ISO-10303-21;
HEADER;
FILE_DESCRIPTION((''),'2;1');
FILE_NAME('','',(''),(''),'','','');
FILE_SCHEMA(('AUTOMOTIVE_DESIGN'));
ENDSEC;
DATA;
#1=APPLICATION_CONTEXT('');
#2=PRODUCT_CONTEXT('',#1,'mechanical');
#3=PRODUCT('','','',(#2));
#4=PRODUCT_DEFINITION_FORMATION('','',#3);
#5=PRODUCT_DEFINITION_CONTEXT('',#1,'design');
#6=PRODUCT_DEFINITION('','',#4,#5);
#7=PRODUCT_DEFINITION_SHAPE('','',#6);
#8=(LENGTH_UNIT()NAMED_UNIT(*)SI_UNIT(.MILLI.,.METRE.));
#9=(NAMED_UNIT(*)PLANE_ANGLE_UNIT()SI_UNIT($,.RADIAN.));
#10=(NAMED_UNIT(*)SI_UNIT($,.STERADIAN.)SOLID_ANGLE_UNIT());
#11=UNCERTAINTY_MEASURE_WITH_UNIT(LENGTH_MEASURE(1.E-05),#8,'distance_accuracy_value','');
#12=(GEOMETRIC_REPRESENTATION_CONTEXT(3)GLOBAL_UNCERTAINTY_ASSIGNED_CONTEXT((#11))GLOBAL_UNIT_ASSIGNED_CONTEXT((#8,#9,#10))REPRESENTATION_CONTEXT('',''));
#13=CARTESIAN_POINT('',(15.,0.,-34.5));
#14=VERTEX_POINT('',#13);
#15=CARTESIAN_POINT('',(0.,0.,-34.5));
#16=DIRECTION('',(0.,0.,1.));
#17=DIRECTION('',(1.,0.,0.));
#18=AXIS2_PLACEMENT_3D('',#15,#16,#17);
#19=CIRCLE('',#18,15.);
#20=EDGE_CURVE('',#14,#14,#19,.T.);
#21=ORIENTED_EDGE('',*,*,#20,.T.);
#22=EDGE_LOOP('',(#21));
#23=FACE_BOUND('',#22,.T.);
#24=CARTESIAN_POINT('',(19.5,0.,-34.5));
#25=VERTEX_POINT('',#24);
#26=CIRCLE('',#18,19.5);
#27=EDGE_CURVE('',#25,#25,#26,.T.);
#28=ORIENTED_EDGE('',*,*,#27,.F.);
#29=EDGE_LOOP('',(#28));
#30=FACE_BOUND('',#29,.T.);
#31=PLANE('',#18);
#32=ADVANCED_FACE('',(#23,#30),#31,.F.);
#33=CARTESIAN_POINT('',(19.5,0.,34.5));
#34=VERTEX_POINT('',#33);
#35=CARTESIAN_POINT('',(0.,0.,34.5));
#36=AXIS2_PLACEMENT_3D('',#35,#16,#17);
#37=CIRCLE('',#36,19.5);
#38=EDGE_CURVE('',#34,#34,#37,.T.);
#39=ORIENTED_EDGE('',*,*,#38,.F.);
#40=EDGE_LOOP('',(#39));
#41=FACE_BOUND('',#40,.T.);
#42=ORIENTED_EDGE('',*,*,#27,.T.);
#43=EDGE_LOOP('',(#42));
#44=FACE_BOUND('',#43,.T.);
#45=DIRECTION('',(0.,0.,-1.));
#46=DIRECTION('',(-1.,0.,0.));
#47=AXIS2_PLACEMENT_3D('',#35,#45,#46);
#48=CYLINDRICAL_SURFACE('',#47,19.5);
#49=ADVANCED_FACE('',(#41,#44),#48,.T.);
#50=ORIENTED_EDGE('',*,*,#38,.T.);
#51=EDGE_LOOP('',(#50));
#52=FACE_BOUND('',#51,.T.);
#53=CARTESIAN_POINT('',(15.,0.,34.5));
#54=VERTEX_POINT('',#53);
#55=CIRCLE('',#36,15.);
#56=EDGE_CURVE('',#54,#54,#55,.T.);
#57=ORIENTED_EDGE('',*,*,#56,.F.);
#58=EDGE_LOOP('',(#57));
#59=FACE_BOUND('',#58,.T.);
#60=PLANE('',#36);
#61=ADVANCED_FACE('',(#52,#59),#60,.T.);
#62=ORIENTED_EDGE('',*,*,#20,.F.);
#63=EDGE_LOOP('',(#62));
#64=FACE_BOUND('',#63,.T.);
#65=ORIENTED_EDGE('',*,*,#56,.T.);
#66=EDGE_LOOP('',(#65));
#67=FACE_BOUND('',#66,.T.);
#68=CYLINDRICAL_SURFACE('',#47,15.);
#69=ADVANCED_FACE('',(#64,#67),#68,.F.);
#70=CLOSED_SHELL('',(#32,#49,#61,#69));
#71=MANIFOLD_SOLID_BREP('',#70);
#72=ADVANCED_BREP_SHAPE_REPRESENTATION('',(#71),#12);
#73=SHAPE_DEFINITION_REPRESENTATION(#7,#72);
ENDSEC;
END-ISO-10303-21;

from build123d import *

# Parameters (mm, degrees)
SKETCH1_R           = 19.5
SKETCH1_R_2         = 15
BOSS_EXTRUDE1_DEPTH = 34.5


with BuildPart() as part:
    # Sketch1 → Boss-Extrude1 (new body, symmetric)
    with BuildSketch(Plane.XY):
        Circle(SKETCH1_R)
        Circle(SKETCH1_R_2, mode=Mode.SUBTRACT)
    extrude(amount=BOSS_EXTRUDE1_DEPTH, both=True)


solid = part.part
